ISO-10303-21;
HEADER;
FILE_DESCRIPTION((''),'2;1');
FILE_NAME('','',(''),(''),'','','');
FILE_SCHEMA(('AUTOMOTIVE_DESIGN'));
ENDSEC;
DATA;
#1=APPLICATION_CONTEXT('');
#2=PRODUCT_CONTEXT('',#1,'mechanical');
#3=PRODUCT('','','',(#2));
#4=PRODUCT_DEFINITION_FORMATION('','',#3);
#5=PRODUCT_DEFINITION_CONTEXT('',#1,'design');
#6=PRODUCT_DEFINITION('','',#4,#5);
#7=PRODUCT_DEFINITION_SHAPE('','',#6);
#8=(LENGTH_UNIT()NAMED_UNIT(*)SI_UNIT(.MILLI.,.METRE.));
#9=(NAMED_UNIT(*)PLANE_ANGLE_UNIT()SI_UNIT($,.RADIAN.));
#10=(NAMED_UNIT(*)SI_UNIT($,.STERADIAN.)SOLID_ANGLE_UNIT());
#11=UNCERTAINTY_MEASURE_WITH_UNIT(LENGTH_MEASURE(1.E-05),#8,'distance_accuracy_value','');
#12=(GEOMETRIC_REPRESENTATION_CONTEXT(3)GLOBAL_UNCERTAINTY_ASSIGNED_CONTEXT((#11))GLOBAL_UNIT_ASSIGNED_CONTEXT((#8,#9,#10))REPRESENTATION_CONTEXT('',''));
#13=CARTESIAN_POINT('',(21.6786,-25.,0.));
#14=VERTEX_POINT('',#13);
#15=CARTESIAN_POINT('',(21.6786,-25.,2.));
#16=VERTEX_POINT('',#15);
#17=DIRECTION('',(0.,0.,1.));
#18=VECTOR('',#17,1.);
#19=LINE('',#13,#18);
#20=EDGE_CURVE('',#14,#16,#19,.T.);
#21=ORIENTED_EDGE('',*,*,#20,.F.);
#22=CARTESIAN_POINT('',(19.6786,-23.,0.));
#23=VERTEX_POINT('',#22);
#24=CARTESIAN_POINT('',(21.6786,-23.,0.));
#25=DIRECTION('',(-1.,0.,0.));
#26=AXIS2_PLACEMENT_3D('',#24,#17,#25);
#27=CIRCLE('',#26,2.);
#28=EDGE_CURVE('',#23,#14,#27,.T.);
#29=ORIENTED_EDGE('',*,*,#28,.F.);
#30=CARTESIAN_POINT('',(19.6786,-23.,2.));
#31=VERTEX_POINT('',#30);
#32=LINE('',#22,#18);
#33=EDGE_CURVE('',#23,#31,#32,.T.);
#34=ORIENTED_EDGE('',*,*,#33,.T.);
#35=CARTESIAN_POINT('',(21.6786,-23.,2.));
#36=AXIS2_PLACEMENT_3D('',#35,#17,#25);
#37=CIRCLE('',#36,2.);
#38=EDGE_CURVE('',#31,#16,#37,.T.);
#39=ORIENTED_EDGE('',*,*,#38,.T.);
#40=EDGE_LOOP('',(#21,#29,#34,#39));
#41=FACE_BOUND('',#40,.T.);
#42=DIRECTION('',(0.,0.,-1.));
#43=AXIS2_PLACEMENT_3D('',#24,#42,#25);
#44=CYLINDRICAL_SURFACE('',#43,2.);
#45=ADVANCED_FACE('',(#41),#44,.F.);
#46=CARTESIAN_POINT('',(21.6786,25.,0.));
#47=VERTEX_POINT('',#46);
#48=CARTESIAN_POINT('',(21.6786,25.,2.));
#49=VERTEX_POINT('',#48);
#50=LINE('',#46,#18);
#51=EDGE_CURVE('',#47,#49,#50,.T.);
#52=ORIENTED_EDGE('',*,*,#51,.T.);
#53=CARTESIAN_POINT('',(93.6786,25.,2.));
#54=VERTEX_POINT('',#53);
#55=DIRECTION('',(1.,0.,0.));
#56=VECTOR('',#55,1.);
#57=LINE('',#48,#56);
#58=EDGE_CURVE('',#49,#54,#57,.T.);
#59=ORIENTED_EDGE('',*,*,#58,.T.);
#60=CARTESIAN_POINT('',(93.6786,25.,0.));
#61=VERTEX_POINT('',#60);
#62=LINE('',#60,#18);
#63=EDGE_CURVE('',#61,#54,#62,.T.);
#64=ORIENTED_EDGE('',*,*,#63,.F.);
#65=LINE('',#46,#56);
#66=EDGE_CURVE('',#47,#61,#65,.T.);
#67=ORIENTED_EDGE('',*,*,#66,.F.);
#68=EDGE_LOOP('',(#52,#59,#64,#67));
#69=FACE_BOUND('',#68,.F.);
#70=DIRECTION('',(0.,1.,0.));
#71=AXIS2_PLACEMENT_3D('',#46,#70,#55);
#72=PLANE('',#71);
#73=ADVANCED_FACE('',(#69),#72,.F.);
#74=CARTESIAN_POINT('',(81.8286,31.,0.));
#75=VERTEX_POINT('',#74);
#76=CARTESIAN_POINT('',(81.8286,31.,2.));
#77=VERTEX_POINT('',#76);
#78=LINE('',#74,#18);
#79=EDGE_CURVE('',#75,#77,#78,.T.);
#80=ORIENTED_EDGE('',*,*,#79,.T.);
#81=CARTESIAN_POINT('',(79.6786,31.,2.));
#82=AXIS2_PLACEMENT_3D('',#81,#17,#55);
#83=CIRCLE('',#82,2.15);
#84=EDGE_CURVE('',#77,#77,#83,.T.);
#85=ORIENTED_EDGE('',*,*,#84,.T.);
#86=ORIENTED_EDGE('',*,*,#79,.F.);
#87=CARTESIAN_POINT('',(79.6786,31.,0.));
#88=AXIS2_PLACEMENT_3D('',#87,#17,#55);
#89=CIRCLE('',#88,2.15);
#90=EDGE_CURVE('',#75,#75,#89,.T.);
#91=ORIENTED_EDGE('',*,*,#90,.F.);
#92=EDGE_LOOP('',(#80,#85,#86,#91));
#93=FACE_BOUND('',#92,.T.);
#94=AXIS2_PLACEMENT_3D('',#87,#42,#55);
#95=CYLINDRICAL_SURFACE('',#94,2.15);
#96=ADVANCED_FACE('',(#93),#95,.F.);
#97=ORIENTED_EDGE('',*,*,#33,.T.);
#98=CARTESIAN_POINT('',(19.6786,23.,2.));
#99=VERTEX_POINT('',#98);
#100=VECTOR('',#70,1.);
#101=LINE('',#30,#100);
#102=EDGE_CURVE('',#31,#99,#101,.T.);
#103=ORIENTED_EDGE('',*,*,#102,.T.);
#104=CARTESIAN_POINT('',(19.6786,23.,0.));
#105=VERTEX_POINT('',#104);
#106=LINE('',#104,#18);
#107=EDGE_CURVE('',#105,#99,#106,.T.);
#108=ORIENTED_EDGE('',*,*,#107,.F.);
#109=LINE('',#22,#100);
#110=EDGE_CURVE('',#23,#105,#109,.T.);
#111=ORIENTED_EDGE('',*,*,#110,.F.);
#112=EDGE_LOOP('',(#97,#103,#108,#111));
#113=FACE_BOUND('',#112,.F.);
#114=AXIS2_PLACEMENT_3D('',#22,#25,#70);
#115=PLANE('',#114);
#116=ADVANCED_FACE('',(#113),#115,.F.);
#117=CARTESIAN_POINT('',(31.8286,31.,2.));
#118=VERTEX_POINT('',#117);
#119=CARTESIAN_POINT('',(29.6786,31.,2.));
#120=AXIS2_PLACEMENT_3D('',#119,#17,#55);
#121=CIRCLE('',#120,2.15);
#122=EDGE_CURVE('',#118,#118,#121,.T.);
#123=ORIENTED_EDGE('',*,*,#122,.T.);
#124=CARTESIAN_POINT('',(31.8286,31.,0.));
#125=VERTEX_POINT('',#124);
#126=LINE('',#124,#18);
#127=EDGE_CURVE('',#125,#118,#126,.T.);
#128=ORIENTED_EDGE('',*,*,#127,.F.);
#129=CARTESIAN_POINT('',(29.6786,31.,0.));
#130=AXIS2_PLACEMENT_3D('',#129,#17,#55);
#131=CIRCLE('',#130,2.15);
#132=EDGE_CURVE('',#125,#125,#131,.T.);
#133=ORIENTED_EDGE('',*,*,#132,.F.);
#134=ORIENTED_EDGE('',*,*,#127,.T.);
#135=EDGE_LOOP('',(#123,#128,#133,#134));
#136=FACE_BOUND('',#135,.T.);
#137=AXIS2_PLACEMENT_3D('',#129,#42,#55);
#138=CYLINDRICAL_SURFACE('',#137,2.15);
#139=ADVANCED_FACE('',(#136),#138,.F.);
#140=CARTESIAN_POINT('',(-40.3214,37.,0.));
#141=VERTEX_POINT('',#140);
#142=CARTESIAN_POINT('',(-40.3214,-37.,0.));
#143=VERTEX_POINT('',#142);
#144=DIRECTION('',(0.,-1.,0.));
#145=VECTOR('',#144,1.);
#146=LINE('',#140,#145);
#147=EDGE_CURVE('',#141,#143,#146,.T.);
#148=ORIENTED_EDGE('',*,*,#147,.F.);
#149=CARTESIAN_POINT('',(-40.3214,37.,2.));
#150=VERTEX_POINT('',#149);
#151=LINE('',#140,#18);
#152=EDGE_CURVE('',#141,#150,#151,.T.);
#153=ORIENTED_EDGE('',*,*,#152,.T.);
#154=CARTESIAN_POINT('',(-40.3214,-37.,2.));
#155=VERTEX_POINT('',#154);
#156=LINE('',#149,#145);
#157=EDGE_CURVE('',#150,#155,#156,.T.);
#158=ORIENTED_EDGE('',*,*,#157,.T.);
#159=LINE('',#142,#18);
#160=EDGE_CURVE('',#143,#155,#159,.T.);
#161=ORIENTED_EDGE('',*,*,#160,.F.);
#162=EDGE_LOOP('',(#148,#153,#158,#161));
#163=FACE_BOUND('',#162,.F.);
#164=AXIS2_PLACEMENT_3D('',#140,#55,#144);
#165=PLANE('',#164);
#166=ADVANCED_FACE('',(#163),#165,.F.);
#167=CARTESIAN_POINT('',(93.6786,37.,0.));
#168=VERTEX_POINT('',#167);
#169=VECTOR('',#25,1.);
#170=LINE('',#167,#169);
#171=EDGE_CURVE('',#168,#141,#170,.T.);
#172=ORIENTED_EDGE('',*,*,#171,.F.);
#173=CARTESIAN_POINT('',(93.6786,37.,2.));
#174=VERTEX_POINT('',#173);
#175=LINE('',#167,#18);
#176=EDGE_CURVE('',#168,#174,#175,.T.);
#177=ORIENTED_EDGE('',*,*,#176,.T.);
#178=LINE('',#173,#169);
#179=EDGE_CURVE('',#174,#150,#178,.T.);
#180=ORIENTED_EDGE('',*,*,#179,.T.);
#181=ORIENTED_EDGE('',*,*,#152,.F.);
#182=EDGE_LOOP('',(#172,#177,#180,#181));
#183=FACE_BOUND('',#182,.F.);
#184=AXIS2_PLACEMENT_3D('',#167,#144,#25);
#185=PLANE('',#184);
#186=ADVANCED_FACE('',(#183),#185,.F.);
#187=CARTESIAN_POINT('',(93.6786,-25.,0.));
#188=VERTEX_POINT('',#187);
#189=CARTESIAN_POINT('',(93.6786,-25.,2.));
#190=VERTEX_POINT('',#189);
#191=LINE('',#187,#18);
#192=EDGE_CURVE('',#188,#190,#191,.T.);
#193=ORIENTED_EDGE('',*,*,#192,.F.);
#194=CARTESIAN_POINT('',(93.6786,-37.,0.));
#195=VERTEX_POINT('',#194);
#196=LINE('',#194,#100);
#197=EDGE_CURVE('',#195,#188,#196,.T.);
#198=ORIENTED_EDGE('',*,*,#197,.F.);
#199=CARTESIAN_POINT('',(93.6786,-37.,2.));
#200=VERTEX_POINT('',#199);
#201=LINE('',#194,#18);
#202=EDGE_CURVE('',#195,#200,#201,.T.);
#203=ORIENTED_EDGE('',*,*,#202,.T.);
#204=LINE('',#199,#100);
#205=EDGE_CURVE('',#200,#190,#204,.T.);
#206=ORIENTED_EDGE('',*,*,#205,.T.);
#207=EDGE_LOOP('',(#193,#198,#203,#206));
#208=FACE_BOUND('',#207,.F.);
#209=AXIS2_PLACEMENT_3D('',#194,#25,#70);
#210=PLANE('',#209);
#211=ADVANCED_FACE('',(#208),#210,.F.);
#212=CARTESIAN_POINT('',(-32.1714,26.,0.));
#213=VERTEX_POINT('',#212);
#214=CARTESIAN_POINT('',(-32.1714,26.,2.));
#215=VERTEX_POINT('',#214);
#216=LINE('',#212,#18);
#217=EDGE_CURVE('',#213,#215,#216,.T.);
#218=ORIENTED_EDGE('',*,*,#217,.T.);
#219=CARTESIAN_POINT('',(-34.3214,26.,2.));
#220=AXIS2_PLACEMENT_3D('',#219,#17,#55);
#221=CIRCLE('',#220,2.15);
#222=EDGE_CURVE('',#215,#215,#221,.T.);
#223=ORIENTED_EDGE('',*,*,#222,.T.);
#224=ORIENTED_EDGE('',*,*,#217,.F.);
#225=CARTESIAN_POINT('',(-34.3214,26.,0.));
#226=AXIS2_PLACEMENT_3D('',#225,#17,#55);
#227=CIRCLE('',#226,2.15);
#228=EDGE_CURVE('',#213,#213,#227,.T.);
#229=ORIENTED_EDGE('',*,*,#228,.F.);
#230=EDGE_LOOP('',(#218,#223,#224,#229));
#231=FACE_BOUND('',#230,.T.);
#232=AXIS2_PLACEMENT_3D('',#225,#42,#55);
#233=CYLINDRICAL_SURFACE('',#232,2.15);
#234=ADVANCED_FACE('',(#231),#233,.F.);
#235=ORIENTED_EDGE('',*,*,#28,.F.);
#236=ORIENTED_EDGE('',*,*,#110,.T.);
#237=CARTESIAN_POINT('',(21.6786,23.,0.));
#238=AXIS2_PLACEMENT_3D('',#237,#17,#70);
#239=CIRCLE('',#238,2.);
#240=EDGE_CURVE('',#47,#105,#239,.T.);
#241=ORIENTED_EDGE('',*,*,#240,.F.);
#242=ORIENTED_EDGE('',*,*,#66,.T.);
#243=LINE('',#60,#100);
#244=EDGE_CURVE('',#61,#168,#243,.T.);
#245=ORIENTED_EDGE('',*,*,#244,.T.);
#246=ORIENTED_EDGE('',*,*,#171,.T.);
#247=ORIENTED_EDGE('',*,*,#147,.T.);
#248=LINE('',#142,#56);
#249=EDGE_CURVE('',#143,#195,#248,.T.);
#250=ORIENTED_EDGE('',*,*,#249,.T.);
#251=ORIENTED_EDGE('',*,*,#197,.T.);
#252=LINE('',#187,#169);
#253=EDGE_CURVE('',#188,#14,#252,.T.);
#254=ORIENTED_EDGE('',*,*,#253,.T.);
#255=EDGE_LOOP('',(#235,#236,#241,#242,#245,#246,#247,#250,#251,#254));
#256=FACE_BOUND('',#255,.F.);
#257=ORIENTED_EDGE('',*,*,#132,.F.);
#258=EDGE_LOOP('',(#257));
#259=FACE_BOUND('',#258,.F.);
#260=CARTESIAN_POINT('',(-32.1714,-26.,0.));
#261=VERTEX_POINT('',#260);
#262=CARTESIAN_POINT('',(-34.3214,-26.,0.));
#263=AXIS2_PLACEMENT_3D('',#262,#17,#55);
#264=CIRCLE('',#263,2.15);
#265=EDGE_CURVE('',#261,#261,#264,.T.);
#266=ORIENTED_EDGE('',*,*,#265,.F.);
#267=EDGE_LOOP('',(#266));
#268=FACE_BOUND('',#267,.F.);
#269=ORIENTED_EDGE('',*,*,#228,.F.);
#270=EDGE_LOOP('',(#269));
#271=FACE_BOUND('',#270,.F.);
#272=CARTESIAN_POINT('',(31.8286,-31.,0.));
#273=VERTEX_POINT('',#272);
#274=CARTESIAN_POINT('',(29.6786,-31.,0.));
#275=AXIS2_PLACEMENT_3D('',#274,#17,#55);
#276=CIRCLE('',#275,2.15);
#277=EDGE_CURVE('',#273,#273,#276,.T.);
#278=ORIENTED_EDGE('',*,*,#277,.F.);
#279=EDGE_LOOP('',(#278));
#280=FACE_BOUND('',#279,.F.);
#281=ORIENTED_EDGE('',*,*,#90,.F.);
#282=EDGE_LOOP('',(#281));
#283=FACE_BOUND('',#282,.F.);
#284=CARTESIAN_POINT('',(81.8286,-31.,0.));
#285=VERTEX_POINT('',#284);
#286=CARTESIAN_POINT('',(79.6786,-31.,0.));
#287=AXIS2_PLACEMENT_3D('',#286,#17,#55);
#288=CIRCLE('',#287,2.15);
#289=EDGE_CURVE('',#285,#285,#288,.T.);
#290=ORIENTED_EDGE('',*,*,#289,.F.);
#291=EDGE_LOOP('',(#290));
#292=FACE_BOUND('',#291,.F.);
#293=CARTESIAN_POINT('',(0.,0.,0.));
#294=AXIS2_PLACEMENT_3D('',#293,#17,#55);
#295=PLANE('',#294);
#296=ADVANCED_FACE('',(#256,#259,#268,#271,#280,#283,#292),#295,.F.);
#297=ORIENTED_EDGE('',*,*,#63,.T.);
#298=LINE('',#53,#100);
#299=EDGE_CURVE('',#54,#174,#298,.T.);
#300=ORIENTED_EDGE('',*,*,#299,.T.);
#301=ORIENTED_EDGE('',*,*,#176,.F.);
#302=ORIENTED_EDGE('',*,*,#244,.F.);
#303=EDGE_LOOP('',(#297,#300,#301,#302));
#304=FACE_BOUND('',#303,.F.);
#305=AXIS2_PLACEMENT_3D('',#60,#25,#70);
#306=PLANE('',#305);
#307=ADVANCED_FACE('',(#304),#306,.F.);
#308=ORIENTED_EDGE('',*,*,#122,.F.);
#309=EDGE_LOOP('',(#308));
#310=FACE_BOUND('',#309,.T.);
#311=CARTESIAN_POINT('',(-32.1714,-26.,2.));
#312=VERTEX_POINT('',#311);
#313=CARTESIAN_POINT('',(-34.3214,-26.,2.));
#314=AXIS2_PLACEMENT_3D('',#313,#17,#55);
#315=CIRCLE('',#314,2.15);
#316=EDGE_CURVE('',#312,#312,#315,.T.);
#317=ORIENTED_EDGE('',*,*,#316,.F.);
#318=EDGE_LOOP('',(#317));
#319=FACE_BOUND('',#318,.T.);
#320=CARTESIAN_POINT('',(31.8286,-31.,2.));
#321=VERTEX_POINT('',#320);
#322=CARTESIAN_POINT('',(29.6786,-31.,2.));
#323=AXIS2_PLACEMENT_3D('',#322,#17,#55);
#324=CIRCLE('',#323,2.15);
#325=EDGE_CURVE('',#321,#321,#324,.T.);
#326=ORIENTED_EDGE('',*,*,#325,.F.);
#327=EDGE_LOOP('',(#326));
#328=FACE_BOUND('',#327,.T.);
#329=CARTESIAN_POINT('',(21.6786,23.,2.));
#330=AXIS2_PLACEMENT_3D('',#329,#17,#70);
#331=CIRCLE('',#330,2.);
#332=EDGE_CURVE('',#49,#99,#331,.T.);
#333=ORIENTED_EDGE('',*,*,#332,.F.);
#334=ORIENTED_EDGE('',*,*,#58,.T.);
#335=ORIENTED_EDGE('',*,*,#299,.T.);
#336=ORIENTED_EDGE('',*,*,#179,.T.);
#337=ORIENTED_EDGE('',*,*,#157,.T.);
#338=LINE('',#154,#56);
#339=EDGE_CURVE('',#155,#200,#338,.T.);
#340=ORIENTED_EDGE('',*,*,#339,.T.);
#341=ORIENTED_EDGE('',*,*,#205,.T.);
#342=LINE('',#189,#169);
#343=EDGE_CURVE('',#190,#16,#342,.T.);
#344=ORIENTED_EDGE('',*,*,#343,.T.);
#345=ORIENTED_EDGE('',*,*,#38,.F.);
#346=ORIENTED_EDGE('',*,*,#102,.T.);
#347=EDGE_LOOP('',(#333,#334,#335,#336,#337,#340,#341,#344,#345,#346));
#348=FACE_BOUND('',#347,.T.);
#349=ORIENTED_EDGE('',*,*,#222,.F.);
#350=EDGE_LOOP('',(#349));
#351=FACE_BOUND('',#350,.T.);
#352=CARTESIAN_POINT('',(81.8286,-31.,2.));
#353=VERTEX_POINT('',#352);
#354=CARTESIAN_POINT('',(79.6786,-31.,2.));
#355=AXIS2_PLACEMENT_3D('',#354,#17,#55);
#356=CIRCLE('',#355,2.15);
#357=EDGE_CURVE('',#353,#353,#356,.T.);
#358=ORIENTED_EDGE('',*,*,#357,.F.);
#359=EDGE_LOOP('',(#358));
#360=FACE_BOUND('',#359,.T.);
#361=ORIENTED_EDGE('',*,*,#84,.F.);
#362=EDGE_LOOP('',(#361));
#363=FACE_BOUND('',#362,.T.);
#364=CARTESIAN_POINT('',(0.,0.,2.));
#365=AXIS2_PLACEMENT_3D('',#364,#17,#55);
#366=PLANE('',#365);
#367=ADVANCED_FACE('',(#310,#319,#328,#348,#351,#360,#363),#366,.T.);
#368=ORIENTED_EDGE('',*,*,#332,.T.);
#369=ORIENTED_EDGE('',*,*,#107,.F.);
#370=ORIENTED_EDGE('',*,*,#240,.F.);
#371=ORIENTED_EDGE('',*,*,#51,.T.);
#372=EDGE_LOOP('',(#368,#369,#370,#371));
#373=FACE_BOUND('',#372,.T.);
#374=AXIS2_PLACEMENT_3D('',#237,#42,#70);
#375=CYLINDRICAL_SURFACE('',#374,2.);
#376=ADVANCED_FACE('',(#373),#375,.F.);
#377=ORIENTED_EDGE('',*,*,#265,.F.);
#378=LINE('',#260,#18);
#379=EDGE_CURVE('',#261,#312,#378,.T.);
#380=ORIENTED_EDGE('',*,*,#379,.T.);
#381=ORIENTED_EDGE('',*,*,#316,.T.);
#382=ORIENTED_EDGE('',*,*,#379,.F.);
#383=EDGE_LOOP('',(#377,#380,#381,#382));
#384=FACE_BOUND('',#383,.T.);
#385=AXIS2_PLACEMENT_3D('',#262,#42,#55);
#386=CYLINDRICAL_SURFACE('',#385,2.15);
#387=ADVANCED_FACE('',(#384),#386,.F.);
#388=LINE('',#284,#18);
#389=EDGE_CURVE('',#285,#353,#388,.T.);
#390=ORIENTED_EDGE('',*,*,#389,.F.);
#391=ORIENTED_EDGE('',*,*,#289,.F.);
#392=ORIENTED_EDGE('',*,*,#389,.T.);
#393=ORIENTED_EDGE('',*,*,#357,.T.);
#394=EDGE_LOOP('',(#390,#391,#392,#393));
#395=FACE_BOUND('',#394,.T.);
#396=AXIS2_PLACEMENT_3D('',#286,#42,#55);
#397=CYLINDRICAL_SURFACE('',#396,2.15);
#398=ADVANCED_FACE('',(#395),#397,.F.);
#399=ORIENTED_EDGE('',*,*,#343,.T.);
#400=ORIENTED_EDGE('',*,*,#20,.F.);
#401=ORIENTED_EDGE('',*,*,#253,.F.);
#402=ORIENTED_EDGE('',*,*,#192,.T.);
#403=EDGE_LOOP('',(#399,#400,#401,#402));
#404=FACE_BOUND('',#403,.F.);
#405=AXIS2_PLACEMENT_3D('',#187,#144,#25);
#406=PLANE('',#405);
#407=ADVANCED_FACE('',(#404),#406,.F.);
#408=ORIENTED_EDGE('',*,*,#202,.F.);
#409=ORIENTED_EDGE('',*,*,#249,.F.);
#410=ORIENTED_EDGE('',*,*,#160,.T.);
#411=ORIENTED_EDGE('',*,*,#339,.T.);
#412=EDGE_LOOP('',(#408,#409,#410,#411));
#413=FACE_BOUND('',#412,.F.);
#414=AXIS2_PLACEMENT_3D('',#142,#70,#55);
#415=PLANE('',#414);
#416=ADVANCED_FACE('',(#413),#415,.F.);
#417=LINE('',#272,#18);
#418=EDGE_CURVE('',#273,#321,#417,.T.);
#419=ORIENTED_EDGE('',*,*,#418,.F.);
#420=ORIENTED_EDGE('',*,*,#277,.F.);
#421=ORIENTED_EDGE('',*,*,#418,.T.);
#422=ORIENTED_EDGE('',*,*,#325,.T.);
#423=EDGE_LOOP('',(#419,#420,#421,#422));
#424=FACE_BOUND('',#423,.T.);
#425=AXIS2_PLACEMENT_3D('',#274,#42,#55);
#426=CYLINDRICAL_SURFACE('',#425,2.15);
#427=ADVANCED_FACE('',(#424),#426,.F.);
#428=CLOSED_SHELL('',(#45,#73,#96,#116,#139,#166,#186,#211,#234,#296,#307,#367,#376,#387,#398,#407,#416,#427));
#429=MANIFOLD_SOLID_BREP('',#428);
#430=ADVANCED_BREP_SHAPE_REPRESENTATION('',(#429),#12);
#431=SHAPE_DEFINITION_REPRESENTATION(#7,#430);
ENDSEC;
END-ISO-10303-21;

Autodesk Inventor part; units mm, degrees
ref_plane "YZ Plane" through (0, 0, 0) normal (1, 0, 0) x (0, 1, 0)
ref_plane "XZ Plane" through (0, 0, 0) normal (0, 1, 0) x (-1, 0, 0)
ref_plane "XY Plane" through (0, 0, 0) normal (0, 0, 1) x (1, 0, 0)
sketch "Sketch2" plane through (0, 0, 0) normal (0, 0, 1) x (1, 0, 0)
  line L0 (-40.3214, -37) -> (93.6786, -37)
  line L1 (93.6786, -37) -> (93.6786, -25)
  line L2 (93.6786, -25) -> (21.6786, -25)
  line L3 (19.6786, -23) -> (19.6786, 23)
  line L4 (21.6786, 25) -> (93.6786, 25)
  line L5 (93.6786, 25) -> (93.6786, 37)
  line L6 (93.6786, 37) -> (-40.3214, 37)
  line L7 (-40.3214, 37) -> (-40.3214, -37)
  arc A0 (21.6786, 25) -> (19.6786, 23) centre (21.6786, 23) ccw
  arc A1 (19.6786, -23) -> (21.6786, -25) centre (21.6786, -23) ccw
  circle A2 centre (-34.3214, 26) radius 2.15
  circle A3 centre (-34.3214, -26) radius 2.15
  circle A4 centre (29.6786, 31) radius 2.15
  circle A5 centre (79.6786, 31) radius 2.15
  circle A6 centre (79.6786, -31) radius 2.15
  circle A7 centre (29.6786, -31) radius 2.15
  point P0 (0, 0)
  dimension "d39" = 74
  dimension "d42" = 37
  dimension "d43" = 50
  dimension "d44" = 25
  dimension "d45" = 60
  dimension "d46" = 74
  dimension "d47" = 74
  dimension "d48" = 11
  dimension "d49" = 11
  dimension "d50" = 6
  dimension "d51" = 6
  dimension "d52" = 6
  dimension "d53" = 6
  dimension "d54" = 6
  dimension "d55" = 6
  dimension "d56" = 14
  dimension "d57" = 64
  dimension "d58" = 64
  dimension "d59" = 14
  dimension "d60" = 2
  dimension "d61" = 4.3
  dimension "d62" = 4.3
  dimension "d63" = 4.3
  dimension "d64" = 4.3
  dimension "d65" = 4.3
  dimension "d66" = 4.3
  dimension "d69" = 52
  dimension "d70" = 134
extrude "Extrusion4" add sketch "Sketch2" along normal blind 2
equation "\"d42\" = 0.5 * d39"
equation "\"d44\" = 0.5 * d43"
equation "\"d62\" = d61"
equation "\"d63\" = d61"
equation "\"d64\" = d61"
equation "\"d65\" = d61"
equation "\"d66\" = d61"
properties part number "top support extension"
